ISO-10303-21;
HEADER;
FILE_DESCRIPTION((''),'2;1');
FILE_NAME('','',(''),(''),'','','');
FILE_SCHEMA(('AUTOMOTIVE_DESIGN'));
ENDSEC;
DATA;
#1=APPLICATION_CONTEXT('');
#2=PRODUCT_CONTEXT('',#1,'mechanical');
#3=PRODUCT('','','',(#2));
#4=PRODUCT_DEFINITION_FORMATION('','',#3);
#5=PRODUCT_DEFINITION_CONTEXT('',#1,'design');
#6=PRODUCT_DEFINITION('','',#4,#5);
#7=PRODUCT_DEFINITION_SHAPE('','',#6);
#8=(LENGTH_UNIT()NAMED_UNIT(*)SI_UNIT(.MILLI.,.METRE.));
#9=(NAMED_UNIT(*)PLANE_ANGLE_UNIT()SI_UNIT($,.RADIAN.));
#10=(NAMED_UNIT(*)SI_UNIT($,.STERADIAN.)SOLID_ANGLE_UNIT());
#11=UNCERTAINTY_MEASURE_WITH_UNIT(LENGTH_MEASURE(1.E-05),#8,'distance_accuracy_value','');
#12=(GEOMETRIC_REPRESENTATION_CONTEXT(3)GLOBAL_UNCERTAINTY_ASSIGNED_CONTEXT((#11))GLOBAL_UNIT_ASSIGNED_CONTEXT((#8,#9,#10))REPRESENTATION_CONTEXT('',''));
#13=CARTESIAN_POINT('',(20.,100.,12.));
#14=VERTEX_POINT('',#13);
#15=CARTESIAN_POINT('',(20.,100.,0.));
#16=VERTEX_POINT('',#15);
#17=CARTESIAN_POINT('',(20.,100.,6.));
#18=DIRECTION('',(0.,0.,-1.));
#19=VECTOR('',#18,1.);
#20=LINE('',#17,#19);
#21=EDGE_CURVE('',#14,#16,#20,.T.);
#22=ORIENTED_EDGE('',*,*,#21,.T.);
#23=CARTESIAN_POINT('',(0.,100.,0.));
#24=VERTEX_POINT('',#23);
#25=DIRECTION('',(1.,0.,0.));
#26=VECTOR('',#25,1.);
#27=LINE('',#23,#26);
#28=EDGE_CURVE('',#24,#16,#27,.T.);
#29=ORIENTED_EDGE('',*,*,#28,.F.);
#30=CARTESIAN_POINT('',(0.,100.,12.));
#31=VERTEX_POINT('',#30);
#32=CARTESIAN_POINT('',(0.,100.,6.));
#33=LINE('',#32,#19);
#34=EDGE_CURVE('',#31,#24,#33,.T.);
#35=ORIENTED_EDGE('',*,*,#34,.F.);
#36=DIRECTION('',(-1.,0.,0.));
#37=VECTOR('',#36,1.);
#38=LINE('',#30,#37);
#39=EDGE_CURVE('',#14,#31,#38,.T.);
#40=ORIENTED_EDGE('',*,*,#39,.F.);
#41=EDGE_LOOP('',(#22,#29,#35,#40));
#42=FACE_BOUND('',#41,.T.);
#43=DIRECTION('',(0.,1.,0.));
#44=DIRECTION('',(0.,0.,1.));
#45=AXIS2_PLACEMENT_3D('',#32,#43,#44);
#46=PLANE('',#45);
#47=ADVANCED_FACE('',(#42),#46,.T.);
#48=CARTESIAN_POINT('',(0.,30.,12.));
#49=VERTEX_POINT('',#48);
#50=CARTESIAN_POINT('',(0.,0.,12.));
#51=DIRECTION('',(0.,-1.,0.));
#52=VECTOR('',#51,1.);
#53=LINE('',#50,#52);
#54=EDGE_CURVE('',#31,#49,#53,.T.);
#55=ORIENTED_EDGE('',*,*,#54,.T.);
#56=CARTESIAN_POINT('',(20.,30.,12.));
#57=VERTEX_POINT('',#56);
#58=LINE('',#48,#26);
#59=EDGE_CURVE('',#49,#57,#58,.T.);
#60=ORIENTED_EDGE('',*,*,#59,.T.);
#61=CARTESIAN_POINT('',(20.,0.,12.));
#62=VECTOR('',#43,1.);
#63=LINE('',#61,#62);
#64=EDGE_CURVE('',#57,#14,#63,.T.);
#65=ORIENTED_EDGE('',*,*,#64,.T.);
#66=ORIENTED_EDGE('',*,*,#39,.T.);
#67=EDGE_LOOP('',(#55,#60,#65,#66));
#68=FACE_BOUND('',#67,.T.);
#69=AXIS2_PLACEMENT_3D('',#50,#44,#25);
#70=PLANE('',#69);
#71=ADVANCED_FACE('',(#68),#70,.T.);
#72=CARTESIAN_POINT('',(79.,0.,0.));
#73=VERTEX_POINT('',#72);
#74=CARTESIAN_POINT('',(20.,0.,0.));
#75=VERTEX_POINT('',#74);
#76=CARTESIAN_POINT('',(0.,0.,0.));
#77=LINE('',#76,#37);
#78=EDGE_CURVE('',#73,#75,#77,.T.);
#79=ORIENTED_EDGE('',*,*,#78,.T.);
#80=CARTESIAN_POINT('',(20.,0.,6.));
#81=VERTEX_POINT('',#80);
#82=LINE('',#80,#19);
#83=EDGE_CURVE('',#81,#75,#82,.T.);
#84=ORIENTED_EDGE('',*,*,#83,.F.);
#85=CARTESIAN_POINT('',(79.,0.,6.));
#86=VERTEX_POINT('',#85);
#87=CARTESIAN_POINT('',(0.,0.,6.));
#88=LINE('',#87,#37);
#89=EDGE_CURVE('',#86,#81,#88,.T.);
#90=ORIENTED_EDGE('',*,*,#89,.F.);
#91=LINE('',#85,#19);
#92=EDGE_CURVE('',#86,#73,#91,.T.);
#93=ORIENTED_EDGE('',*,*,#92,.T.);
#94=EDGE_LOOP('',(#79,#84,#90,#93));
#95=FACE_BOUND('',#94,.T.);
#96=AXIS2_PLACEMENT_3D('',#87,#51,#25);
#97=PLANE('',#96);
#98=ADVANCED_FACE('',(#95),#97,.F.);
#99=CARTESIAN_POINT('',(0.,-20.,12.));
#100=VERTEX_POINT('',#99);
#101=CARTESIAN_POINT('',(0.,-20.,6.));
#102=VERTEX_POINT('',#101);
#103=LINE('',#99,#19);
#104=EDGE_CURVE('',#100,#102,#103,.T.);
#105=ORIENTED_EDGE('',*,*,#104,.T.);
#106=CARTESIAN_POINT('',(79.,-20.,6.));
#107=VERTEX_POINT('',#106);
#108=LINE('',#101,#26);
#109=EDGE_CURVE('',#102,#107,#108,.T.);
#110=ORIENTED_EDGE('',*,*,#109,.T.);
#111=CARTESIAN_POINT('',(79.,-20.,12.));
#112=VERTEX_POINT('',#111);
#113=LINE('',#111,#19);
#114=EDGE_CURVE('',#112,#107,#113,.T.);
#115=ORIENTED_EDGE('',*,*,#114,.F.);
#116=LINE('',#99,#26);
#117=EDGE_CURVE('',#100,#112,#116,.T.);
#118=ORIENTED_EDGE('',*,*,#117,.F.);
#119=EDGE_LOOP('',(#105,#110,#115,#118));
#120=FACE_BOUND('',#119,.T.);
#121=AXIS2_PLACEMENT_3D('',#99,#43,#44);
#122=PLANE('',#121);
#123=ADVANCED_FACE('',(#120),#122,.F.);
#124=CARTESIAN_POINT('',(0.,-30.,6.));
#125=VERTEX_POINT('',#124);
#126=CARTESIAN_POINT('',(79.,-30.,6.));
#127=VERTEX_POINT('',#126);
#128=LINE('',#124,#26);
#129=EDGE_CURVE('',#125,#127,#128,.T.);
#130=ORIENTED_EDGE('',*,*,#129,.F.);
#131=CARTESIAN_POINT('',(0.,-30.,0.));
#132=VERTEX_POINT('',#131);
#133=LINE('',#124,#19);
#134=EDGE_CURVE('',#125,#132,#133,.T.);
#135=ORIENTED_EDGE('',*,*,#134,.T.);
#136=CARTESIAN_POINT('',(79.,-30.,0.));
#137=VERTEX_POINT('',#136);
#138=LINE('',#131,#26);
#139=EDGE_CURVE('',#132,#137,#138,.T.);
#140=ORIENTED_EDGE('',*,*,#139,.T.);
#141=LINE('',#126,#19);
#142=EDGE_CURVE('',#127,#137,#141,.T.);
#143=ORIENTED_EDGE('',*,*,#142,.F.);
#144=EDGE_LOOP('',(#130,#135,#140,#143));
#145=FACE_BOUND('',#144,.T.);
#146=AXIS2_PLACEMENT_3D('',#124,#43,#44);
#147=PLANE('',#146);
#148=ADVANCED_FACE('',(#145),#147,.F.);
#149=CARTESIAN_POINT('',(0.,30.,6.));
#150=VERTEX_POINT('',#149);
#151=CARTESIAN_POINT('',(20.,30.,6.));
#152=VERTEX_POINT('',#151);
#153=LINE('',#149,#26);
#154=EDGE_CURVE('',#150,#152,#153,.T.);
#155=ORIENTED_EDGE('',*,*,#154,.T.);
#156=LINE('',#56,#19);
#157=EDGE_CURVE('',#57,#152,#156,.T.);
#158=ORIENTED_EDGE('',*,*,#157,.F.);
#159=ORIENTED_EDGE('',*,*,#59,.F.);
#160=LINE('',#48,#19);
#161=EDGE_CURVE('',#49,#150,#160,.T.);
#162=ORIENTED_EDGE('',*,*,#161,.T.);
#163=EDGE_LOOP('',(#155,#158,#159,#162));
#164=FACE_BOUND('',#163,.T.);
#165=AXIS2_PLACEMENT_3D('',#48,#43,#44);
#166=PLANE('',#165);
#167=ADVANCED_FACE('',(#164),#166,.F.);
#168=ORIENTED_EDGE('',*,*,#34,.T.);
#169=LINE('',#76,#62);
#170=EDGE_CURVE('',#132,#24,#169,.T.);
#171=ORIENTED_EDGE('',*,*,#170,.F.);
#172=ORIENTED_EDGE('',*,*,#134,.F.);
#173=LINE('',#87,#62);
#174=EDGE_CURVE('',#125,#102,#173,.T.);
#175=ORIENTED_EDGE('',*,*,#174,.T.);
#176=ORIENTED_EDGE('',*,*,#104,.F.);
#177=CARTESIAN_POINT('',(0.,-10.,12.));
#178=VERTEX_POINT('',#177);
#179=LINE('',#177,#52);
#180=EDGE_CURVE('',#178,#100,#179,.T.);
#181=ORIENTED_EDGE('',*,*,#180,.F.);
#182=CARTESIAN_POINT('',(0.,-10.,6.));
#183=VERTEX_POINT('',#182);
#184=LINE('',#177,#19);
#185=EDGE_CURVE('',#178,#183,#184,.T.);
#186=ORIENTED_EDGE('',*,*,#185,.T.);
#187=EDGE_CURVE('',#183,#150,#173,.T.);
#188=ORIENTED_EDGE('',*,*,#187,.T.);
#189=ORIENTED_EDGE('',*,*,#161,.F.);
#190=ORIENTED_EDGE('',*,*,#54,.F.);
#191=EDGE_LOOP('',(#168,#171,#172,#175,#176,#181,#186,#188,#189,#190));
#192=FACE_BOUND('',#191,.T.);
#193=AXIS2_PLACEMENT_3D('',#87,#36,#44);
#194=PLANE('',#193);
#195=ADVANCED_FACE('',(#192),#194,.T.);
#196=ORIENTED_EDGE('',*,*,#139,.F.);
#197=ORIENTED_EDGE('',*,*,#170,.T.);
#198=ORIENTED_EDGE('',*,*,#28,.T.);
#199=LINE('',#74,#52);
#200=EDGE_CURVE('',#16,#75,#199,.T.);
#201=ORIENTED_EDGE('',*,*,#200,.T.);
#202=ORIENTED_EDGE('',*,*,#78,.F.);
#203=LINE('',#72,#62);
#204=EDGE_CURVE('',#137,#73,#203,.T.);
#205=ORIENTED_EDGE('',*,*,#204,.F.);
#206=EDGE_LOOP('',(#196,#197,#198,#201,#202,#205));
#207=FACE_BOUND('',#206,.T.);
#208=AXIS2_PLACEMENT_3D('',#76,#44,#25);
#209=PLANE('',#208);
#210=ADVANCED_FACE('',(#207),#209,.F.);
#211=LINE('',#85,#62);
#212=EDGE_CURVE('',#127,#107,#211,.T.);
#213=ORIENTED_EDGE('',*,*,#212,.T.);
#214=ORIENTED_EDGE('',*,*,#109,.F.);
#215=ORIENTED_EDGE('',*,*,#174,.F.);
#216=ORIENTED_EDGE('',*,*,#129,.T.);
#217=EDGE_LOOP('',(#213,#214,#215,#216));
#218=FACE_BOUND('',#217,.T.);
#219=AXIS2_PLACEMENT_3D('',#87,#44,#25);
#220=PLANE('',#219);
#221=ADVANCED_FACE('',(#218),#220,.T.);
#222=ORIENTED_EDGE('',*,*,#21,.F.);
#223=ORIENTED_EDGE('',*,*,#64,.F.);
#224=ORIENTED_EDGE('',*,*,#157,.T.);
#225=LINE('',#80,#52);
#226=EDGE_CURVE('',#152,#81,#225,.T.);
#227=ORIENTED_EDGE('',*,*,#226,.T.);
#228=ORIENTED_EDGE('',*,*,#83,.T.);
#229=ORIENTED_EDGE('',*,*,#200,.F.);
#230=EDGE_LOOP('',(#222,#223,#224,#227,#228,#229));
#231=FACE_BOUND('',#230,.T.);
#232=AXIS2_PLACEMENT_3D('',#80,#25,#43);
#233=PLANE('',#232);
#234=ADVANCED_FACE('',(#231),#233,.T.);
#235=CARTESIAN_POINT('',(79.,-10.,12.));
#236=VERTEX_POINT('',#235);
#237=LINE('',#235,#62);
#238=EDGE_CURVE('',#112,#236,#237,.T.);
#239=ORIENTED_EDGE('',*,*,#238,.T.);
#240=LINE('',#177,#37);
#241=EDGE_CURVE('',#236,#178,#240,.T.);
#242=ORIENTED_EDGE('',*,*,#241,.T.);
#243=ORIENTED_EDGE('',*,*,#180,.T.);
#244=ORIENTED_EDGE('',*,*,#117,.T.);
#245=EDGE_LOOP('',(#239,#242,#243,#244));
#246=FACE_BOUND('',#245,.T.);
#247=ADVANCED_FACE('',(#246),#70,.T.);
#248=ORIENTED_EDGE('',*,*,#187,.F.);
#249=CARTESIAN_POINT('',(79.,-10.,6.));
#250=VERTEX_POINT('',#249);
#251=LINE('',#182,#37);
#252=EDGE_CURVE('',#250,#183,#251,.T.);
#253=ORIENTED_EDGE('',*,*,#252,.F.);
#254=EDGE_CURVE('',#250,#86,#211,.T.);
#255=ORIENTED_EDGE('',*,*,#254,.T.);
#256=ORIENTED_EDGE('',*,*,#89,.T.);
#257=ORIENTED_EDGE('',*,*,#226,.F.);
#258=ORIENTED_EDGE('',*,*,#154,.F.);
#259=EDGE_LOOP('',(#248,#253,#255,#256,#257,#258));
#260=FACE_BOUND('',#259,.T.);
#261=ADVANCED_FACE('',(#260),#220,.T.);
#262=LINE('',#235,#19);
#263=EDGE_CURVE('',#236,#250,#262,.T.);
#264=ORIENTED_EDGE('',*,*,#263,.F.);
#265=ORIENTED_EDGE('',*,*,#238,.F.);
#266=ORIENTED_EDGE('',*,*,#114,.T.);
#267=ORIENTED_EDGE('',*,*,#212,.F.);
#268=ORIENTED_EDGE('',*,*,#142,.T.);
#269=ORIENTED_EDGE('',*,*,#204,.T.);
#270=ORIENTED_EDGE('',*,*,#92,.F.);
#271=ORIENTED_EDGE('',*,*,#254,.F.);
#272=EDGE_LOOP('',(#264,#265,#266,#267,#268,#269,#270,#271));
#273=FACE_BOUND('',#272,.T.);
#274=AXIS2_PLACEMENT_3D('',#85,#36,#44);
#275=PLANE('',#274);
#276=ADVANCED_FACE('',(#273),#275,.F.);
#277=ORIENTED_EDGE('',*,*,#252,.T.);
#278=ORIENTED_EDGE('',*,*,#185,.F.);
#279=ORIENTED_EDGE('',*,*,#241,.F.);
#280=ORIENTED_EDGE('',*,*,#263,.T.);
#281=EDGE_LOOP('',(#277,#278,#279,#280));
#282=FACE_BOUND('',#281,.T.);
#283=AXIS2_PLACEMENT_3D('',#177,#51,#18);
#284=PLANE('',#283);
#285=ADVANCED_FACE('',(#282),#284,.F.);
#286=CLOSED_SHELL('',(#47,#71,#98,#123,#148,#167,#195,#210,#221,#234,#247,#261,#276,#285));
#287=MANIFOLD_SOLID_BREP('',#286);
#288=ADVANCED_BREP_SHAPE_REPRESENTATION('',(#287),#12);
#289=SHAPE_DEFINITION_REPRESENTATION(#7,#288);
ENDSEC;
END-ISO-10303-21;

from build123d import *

# Parameters (mm, degrees)
SKETCH1_W           = 20
SKETCH1_H           = 100
BOSS_EXTRUDE4_DEPTH = 6
BOSS_EXTRUDE5_DEPTH = 6
SKETCH3_W           = 79
SKETCH3_H           = 10
BOSS_EXTRUDE6_DEPTH = 6
SKETCH6_W           = 20
SKETCH6_H           = 70
BOSS_EXTRUDE8_DEPTH = 6


with BuildPart() as part:
    # Sketch1 → Boss-Extrude4 (new body)
    with BuildSketch(Plane.XY):
        with Locations((10, 50)):
            Rectangle(SKETCH1_W, SKETCH1_H)
    extrude(amount=BOSS_EXTRUDE4_DEPTH)

    # Sketch1<8> → Boss-Extrude5 (add)
    with BuildSketch(Plane.XY):
        Polygon((20, 0), (0, 0), (0, -30), (79, -30), (79, 0), align=None)
    extrude(amount=BOSS_EXTRUDE5_DEPTH)

    # Sketch3 → Boss-Extrude6 (add)
    with BuildSketch(Plane.XY.offset(6)):
        with Locations((39.5, -15)):
            Rectangle(SKETCH3_W, SKETCH3_H)
    extrude(amount=BOSS_EXTRUDE6_DEPTH)

    # Sketch6 → Boss-Extrude8 (add)
    with BuildSketch(Plane.XY.offset(6)):
        with Locations((10, 65)):
            Rectangle(SKETCH6_W, SKETCH6_H)
    extrude(amount=BOSS_EXTRUDE8_DEPTH)


solid = part.part
